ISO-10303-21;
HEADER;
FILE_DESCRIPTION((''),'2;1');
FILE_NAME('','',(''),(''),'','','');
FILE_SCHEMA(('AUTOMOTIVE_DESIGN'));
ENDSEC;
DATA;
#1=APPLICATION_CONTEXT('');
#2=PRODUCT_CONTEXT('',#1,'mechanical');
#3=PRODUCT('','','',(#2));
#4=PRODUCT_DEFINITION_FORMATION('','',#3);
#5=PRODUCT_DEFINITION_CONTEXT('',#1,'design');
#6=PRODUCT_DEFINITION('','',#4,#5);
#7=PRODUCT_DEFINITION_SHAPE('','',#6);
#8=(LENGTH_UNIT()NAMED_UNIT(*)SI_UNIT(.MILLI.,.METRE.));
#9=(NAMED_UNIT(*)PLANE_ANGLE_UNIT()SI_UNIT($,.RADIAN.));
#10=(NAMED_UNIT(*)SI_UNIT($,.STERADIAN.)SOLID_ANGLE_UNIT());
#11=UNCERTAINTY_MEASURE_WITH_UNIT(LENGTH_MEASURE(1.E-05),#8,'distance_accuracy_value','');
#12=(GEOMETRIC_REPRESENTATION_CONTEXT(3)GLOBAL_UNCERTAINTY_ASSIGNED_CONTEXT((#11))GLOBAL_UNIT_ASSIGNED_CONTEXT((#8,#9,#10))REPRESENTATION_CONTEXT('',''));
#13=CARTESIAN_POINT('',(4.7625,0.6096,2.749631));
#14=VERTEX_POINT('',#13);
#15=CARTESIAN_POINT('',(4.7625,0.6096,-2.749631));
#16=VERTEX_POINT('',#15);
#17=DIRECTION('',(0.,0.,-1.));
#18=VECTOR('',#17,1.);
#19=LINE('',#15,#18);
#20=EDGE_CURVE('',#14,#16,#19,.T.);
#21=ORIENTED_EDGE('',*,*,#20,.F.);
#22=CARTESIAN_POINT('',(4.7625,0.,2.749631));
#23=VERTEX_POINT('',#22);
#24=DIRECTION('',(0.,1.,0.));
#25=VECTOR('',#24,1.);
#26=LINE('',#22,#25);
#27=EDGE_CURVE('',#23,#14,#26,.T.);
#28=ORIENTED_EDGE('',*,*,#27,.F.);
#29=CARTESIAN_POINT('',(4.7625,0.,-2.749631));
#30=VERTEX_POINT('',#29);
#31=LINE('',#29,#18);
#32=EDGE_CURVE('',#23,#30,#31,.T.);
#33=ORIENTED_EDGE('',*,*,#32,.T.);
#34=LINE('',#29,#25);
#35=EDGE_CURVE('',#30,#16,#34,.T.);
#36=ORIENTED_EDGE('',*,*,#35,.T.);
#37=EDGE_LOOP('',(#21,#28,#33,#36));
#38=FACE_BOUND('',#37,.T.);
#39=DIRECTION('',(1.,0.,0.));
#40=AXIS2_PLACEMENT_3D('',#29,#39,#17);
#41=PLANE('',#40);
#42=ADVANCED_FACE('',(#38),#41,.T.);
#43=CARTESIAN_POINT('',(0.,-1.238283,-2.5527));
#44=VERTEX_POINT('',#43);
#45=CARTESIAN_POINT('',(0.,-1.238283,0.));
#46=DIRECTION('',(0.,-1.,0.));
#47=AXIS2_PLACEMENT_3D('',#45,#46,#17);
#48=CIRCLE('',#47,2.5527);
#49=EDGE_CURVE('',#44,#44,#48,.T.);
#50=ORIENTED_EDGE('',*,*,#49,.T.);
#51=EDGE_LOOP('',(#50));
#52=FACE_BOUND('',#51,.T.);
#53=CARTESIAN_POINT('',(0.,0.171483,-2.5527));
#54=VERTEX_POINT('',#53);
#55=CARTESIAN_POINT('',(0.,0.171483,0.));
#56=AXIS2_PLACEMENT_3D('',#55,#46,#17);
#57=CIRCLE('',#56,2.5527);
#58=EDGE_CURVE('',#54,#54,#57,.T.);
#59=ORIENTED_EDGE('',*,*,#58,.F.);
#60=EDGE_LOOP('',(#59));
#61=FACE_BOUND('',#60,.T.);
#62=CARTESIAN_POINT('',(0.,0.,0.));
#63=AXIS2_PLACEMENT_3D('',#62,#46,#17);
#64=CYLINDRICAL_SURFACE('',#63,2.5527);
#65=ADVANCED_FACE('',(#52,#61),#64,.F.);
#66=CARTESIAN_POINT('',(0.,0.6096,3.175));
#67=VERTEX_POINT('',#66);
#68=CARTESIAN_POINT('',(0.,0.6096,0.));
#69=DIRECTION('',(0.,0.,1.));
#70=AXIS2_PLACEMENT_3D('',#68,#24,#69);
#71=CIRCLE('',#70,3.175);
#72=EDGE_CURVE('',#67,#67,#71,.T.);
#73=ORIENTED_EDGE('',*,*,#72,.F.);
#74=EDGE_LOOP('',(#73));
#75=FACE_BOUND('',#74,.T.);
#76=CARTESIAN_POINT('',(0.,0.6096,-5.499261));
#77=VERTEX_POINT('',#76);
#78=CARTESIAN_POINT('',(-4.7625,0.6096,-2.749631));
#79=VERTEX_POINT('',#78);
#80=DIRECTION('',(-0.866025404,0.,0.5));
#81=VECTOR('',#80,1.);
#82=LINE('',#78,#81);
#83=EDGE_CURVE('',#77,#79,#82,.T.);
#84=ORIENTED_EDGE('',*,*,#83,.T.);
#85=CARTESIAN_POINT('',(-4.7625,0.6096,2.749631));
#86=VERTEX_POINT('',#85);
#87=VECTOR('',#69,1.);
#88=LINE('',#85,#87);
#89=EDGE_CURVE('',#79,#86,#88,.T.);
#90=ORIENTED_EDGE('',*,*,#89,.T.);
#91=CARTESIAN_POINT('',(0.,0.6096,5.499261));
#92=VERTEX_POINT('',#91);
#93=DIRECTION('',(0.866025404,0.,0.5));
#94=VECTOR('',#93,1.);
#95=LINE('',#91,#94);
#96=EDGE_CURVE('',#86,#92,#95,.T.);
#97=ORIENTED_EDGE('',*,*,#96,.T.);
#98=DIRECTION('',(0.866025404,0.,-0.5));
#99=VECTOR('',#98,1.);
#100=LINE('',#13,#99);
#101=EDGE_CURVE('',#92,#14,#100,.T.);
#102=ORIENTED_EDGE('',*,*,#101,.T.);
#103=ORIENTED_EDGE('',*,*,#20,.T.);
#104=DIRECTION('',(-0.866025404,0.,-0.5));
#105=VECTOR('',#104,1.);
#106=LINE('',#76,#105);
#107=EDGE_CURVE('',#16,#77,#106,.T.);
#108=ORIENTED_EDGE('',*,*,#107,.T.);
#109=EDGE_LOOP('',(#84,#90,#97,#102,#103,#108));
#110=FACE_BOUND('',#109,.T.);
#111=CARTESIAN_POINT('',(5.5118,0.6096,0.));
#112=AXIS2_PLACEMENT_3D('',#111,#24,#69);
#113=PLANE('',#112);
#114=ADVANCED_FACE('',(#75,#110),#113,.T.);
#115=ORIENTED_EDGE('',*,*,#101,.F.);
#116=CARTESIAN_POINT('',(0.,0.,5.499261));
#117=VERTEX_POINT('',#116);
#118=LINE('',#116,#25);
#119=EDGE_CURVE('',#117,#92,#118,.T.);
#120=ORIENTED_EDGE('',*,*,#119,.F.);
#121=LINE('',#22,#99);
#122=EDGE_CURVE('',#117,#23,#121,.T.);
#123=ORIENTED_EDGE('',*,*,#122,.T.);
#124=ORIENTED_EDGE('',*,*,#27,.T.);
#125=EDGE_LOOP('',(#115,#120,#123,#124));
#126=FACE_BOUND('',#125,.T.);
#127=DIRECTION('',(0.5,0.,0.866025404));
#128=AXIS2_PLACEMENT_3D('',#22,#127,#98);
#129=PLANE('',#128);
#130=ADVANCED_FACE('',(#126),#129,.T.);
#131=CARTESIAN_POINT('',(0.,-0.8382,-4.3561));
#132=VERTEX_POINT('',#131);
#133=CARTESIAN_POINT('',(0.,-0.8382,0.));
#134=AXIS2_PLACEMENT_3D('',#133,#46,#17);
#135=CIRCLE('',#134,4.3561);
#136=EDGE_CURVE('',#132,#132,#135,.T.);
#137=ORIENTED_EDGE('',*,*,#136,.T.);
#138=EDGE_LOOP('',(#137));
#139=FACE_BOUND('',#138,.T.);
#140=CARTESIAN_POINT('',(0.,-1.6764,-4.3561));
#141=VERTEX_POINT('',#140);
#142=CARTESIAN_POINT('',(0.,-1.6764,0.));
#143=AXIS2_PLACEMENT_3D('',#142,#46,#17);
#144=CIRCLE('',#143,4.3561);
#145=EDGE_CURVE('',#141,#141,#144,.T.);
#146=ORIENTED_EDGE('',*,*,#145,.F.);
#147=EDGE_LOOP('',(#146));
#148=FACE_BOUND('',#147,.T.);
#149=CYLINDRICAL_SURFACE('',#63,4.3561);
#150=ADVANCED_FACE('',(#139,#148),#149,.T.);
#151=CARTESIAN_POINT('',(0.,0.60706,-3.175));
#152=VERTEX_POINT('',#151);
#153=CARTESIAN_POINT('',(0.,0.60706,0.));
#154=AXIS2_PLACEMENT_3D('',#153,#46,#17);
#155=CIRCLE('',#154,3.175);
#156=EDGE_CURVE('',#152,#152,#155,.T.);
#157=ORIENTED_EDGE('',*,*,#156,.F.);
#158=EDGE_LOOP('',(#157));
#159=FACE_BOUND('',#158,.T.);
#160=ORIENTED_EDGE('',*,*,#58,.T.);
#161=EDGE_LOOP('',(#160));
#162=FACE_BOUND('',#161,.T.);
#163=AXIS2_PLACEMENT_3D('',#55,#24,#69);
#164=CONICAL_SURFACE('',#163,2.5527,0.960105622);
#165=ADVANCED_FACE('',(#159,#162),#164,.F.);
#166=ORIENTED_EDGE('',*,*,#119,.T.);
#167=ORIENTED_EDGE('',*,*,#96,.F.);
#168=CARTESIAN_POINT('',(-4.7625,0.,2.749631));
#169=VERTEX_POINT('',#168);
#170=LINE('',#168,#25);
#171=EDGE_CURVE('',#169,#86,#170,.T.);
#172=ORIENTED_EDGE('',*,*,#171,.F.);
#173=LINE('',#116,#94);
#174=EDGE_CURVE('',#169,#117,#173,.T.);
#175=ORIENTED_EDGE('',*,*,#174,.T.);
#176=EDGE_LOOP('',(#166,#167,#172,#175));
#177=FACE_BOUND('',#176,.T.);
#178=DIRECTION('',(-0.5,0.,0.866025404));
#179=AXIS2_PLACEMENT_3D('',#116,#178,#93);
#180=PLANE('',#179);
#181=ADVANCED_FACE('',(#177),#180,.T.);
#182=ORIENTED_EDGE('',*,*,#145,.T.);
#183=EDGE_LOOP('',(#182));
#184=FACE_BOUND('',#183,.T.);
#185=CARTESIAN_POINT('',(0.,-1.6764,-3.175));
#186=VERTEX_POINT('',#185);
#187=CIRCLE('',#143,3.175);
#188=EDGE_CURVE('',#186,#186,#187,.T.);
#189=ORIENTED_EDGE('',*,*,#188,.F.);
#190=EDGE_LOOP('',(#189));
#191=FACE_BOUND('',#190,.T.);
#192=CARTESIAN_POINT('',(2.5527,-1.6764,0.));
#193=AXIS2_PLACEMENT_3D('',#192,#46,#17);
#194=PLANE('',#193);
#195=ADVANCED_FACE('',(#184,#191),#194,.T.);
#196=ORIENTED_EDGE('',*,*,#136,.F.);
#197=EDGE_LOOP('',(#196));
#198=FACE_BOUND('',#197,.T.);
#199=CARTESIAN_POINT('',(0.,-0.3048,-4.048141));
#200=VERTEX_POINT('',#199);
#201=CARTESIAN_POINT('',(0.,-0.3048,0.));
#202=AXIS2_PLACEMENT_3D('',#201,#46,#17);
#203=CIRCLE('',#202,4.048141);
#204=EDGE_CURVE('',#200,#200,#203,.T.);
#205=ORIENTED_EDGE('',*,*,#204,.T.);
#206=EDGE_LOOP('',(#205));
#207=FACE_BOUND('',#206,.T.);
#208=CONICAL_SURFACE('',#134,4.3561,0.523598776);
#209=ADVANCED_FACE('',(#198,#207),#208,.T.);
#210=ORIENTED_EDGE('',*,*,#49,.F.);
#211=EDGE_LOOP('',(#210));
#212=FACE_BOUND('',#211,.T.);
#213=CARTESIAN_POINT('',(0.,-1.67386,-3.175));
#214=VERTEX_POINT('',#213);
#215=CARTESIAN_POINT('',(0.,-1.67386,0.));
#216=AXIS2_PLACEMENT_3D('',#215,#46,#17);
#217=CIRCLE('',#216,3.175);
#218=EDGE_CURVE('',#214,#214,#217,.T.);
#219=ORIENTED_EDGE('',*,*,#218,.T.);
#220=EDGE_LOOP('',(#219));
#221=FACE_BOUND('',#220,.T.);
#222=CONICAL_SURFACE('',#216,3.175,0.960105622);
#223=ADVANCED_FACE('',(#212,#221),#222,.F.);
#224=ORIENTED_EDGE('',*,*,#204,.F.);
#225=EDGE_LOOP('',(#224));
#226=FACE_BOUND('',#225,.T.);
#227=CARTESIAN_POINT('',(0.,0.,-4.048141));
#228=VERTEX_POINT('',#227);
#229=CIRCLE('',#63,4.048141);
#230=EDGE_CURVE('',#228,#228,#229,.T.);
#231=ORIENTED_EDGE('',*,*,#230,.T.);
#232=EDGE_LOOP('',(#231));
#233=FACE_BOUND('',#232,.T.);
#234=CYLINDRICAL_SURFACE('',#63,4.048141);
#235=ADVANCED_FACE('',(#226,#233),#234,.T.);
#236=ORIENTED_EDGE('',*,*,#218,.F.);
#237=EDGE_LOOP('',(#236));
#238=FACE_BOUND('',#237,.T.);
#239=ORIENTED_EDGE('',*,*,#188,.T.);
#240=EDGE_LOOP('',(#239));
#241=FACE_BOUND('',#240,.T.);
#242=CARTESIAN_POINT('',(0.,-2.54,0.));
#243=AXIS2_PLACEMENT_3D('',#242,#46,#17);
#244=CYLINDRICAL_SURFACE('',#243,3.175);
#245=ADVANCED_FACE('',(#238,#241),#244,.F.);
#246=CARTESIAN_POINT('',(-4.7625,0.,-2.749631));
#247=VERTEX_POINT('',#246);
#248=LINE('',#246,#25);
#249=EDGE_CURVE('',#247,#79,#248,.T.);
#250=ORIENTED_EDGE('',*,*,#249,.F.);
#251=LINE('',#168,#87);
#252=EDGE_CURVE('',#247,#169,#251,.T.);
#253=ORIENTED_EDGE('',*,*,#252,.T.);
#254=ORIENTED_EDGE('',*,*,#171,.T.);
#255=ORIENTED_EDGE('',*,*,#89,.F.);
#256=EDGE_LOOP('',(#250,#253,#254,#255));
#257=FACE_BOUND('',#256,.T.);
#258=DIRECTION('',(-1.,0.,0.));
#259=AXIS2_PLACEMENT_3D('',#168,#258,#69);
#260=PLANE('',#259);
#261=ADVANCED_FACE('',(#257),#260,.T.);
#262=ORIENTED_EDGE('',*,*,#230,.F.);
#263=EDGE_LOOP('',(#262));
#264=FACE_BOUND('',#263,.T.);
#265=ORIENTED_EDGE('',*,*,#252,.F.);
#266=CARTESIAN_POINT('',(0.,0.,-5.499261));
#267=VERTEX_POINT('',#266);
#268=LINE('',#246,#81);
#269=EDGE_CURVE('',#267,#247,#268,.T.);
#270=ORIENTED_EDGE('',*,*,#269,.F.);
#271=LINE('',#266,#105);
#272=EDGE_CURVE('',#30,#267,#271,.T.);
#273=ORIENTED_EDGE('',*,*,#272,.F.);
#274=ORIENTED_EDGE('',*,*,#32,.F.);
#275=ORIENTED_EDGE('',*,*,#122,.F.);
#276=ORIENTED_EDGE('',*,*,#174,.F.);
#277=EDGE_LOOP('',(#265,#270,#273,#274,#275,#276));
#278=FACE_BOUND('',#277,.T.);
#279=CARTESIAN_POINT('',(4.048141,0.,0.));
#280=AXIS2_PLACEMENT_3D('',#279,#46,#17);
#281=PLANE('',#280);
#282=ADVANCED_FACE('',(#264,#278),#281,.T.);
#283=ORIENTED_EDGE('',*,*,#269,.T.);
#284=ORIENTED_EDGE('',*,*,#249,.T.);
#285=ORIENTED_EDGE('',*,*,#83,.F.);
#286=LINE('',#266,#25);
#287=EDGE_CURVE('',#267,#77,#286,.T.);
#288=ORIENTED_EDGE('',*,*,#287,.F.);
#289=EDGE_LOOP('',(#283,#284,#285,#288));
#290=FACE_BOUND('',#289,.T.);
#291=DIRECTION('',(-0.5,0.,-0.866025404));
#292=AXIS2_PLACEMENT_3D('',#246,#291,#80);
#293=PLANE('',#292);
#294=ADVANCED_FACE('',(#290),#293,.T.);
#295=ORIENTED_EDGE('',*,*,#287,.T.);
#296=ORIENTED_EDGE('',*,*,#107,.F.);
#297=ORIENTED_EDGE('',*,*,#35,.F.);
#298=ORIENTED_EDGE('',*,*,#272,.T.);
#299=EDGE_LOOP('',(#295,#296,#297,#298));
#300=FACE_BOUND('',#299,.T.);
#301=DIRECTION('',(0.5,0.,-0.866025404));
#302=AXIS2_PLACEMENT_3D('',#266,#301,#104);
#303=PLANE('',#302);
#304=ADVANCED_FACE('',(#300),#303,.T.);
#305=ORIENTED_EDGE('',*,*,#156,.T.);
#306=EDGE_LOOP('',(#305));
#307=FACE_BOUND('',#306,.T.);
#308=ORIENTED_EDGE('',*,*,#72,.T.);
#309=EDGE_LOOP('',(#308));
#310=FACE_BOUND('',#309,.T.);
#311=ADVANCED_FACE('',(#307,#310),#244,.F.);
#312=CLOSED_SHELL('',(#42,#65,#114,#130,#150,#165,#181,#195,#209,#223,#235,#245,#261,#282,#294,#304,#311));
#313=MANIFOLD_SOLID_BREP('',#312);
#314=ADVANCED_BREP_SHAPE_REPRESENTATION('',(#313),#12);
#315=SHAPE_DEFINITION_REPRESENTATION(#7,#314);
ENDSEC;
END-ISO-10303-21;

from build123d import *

# Parameters (mm, degrees)
HEXDIESKE_R  = 5.5372
HEXDIE_DEPTH = 0.6096


with BuildPart() as part:
    # BodySke → Body (revolve)
    with BuildSketch(Plane.XY, mode=Mode.PRIVATE) as body_sk:
        Polygon((4.048141366, 0), (5.5118, 0), (5.5118, 0.6096), (2.5527, 0.6096), (2.5527, -1.6764), (4.3561, -1.6764), (4.3561, -0.8382), (4.048141366, -0.3048), align=None)
    revolve(body_sk.sketch.rotate(Axis((0, 0, 0), (0, 1, 0)), 90), axis=Axis((0, 0, 0), (0, 1, 0)))

    # EndChamferSke → EndChamfer (revolve, cut)
    with BuildSketch(Plane.XY, mode=Mode.PRIVATE) as endchamfer_sk:
        Polygon((3.175, -1.9304), (3.175, -1.67386), (2.5527, -1.238282692), (2.5527, -1.9304), align=None)
        Polygon((3.175, 0.60706), (2.5527, 0.171482692), (2.5527, 0.8636), (3.175, 0.8636), align=None)
    revolve(endchamfer_sk.sketch.rotate(Axis((0, -2.54, 0), (0, 1, 0)), 90), axis=Axis((0, -2.54, 0), (0, 1, 0)), mode=Mode.SUBTRACT)

    # HexDieSke → HexDie (cut)
    with BuildSketch(Plane(origin=(0, 0.6096, 0), x_dir=(-1, 0, 0), z_dir=(0, 1, 0))):
        Circle(HEXDIESKE_R)
        Polygon((0, 5.499261314), (4.7625, 2.749630657), (4.7625, -2.749630657), (0, -5.499261314), (-4.7625, -2.749630657), (-4.7625, 2.749630657), align=None, mode=Mode.SUBTRACT)
    extrude(amount=-HEXDIE_DEPTH, mode=Mode.SUBTRACT)


solid = part.part
